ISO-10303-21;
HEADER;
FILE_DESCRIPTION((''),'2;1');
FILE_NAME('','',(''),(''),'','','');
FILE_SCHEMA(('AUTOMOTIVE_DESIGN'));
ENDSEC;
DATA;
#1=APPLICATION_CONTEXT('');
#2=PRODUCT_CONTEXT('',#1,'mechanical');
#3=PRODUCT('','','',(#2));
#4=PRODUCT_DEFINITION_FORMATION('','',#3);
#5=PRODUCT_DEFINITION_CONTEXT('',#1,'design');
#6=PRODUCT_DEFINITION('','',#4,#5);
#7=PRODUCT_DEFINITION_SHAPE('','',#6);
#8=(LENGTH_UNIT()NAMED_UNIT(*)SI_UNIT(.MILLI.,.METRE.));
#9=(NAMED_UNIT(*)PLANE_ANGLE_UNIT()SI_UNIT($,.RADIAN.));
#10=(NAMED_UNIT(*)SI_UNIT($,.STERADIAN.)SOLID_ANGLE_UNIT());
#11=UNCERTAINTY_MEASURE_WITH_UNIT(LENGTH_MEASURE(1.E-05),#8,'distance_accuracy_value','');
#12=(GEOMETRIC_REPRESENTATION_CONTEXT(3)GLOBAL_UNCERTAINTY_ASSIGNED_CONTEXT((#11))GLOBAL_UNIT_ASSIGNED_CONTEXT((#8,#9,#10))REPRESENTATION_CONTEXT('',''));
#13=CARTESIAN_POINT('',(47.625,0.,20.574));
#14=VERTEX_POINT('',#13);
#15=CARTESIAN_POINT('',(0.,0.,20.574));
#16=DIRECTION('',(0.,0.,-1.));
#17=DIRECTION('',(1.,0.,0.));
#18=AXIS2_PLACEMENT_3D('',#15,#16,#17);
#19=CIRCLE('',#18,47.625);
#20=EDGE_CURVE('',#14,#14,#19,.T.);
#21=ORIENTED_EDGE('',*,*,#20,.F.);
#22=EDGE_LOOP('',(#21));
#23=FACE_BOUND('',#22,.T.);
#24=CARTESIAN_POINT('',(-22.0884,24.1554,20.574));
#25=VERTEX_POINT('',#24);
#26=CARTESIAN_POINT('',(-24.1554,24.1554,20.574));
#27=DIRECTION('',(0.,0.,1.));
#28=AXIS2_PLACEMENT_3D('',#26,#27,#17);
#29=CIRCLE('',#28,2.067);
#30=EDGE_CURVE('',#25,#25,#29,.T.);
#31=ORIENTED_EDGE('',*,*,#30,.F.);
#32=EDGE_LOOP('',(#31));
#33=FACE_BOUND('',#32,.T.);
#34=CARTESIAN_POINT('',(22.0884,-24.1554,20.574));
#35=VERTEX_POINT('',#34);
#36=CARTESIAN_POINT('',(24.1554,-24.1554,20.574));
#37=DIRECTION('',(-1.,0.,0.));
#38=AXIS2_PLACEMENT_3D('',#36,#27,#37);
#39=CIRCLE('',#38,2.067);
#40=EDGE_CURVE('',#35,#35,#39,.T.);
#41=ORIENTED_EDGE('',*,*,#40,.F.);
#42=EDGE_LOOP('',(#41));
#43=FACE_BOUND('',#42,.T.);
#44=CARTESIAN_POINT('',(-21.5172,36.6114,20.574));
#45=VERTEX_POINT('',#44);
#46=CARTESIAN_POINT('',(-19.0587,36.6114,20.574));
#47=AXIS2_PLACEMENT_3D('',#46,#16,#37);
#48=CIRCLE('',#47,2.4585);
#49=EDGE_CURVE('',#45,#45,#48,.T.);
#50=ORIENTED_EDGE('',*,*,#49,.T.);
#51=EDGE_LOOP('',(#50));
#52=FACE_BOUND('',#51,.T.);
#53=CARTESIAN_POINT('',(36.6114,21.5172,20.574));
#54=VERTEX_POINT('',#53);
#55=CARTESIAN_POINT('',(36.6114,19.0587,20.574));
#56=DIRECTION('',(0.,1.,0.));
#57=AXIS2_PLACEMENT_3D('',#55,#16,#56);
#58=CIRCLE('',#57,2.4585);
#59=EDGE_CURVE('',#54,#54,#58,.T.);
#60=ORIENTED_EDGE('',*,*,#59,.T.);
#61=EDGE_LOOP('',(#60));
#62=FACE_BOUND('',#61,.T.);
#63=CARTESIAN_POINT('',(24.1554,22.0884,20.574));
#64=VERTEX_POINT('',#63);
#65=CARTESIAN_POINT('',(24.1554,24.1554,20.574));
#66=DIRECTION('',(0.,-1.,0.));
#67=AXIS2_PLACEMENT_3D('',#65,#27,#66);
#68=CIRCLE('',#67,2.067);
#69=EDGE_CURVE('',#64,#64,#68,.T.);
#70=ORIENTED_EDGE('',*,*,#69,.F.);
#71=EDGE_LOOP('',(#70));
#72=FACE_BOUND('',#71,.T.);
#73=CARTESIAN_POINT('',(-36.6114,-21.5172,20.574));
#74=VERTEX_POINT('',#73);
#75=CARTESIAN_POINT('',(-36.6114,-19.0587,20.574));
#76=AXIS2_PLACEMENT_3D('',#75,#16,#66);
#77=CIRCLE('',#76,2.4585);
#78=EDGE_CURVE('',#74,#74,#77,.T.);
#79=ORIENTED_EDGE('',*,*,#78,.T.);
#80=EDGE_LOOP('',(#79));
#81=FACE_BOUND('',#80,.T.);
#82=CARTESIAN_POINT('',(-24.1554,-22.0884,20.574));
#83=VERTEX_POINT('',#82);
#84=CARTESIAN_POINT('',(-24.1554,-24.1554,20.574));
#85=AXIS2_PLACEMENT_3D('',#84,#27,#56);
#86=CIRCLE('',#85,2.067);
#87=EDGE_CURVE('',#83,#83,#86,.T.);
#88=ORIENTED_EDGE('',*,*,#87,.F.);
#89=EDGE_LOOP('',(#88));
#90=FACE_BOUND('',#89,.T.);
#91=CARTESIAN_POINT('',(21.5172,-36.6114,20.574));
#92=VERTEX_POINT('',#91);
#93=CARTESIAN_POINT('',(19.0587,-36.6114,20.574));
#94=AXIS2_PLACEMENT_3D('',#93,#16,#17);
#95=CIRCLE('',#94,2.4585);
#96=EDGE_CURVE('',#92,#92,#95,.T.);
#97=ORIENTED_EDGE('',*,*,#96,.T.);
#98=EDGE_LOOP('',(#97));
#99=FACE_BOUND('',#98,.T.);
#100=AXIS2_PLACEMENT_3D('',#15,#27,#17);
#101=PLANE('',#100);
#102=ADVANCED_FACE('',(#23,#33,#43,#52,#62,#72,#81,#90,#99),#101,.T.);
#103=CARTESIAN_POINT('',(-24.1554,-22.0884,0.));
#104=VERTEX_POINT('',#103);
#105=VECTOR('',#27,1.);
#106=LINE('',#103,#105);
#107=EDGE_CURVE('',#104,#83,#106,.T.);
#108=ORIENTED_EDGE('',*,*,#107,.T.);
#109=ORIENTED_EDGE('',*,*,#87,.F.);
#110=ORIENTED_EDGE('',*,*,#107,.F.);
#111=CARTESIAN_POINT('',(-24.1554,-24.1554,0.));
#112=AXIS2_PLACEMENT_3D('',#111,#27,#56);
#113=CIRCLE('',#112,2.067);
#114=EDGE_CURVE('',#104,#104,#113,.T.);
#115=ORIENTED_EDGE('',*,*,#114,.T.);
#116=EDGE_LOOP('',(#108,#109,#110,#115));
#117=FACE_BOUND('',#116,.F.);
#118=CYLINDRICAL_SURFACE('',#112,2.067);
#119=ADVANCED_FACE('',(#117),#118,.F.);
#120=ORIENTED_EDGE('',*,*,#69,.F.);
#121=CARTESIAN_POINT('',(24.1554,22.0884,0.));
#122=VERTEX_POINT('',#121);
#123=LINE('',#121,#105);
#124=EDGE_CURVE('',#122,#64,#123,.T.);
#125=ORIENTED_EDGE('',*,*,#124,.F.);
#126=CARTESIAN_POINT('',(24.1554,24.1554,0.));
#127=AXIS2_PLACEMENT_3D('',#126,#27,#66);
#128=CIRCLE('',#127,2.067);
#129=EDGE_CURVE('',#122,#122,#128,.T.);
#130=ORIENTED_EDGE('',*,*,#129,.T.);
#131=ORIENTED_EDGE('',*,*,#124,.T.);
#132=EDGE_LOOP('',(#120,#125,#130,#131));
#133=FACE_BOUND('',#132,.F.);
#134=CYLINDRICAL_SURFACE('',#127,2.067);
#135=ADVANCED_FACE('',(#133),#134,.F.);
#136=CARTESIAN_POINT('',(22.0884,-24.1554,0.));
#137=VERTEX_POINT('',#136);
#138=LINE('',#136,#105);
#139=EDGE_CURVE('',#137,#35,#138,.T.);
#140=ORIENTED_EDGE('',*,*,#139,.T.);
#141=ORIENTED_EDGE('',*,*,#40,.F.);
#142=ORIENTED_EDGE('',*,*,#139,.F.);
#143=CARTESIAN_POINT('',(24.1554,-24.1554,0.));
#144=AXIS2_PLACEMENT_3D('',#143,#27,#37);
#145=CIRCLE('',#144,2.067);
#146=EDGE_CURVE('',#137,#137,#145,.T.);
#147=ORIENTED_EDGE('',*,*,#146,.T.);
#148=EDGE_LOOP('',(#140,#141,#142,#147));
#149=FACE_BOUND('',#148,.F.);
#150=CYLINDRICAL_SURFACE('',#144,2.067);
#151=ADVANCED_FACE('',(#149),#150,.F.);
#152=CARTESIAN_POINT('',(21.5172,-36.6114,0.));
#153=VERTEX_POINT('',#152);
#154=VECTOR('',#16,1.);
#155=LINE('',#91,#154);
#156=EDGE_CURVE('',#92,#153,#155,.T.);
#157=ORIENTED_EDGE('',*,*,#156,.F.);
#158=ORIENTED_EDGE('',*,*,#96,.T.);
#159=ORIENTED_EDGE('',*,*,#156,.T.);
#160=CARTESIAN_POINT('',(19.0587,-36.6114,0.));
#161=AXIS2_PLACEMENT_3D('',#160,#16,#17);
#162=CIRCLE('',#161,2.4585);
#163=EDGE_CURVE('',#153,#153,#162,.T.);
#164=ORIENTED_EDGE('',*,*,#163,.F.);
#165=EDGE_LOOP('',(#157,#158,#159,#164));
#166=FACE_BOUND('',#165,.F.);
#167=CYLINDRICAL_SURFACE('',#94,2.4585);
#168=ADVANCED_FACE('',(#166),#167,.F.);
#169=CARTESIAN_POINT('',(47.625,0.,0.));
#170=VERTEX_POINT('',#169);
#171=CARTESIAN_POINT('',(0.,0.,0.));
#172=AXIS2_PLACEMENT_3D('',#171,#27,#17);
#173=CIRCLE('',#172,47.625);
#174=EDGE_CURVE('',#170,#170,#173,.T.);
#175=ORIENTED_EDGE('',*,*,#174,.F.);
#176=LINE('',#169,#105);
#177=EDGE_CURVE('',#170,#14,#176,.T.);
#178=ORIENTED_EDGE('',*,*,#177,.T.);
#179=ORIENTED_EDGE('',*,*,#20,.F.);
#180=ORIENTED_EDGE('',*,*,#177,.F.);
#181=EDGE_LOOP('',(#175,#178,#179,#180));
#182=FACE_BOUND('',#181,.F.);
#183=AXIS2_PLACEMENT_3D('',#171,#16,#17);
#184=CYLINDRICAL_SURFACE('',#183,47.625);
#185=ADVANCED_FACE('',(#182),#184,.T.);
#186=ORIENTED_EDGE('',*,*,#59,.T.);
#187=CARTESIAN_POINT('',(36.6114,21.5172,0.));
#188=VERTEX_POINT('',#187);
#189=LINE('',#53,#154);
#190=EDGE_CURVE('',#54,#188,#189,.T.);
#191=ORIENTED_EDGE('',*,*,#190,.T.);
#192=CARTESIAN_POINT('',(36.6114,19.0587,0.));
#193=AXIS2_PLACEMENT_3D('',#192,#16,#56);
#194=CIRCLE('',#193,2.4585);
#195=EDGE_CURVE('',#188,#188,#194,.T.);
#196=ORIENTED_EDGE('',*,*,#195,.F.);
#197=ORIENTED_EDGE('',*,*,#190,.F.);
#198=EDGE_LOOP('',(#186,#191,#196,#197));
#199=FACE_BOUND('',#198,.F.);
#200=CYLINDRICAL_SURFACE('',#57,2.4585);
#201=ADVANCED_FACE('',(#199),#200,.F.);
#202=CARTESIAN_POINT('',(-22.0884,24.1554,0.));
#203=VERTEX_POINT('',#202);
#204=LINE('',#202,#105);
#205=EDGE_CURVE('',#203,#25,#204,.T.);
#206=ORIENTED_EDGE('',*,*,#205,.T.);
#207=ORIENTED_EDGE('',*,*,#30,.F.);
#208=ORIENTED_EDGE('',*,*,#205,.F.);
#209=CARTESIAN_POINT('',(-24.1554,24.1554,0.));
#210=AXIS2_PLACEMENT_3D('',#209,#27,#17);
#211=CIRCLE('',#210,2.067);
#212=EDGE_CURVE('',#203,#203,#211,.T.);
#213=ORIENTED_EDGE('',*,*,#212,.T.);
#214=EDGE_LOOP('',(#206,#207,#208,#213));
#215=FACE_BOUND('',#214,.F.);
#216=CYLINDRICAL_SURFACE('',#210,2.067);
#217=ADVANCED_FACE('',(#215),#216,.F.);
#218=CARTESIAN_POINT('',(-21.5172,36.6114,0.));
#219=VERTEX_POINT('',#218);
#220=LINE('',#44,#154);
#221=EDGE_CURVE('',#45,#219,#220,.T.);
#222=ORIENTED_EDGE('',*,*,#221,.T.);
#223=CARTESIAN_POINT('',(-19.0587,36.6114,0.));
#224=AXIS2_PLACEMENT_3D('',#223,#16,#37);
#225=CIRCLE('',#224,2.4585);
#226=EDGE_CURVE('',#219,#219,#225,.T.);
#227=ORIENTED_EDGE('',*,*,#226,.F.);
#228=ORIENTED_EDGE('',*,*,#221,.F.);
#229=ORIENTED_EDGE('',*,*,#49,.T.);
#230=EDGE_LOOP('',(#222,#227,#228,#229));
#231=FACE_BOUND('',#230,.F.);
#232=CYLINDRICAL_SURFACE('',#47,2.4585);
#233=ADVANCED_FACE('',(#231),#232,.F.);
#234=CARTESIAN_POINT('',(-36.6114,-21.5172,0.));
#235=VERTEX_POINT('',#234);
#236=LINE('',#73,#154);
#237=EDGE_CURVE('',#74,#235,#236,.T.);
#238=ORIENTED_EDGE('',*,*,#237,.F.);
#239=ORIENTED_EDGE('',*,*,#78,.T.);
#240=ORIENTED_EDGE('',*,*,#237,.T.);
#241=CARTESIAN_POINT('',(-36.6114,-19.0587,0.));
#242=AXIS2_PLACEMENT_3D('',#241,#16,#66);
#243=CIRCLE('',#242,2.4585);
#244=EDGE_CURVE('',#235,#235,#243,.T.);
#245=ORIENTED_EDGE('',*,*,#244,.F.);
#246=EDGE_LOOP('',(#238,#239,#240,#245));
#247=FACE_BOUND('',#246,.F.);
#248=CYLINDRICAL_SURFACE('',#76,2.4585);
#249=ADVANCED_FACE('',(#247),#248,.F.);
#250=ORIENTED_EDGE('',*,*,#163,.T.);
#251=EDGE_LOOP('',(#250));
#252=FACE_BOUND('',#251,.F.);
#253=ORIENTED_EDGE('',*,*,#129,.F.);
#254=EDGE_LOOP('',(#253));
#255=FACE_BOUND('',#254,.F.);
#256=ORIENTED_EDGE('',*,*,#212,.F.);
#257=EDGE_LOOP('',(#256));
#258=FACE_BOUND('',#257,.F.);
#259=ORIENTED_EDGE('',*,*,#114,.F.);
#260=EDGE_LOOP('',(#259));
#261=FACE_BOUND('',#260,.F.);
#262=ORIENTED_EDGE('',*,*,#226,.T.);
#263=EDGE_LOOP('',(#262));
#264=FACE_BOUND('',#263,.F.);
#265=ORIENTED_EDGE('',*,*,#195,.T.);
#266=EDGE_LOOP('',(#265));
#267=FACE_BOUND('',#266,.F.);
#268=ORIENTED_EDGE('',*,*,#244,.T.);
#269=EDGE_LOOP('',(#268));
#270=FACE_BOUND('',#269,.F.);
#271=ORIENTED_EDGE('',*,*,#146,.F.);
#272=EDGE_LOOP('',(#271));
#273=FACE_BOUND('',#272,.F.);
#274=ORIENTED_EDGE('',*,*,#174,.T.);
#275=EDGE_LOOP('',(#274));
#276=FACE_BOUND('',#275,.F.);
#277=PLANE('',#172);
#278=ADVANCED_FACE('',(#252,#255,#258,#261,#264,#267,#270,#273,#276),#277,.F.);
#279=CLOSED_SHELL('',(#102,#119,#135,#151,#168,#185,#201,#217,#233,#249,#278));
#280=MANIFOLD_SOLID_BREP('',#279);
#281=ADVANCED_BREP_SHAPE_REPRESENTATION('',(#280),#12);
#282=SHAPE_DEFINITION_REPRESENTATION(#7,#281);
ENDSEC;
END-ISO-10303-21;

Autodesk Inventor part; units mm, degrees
ref_plane "YZ Plane" through (0, 0, 0) normal (1, 0, 0) x (0, 1, 0)
ref_plane "XZ Plane" through (0, 0, 0) normal (0, 1, 0) x (-1, 0, 0)
ref_plane "XY Plane" through (0, 0, 0) normal (0, 0, 1) x (1, 0, 0)
sketch "Sketch1" plane through (0, 0, 0) normal (0, 0, 1) x (1, 0, 0)
  line L0 (0, 66.675) -> (0, -66.675) projected
  line L1 (-66.675, 0) -> (66.675, 0) projected
  circle A0 centre (0, 0) radius 47.625
  circle A1 centre (0, 0) radius 10.3188
  dimension "d0" = 20.6375
  dimension "d1" = 95.25
extrude "Extrusion1" add sketch "Sketch1" along normal blind 20.574
sketch "Sketch2" plane through (0, 0, 0) normal (0, 0, -1) x (-1, 0, 0)
  line L0 (0, -66.675) -> (0, 66.675) projected
  line L1 (-66.675, 0) -> (66.675, 0) projected
  line L2 (-24.1554, -24.1554) -> (24.1554, -24.1554) construction
  line L3 (24.1554, -24.1554) -> (24.1554, 24.1554) construction
  line L4 (24.1554, 24.1554) -> (-24.1554, 24.1554) construction
  line L5 (-24.1554, 24.1554) -> (-24.1554, -24.1554) construction
  line L6 (-24.1554, -24.1554) -> (24.1554, 24.1554) construction
  line L7 (24.1554, -24.1554) -> (-24.1554, 24.1554) construction
  circle A0 centre (0, 0) radius 34.1609 construction
  dimension "d25" = 68.3218
  dimension "d22" = 48.3108
hole "Hole1" at (-24.1554, -24.1554, 0) direction (0, 0, 1) diameter 4.134 end through all thread size "M5x0.8" class "6H" standard "ANSI Metric M Profile"
sketch "Sketch3" plane through (0, 0, 20.574) normal (0, 0, 1) x (1, 0, 0)
  line L0 (0, 66.675) -> (0, -66.675) projected
  line L1 (-66.675, 0) -> (66.675, 0) projected
  circle A0 centre (0, 0) radius 41.275 construction
  line L2 (0, 0) -> (-36.6114, -19.0587) construction
  point P0 (-24.1554, -24.1554)
  point P1 (-24.1554, -24.1554)
  dimension "d23" = 82.55
  dimension "d24" = 62.5
hole "Hole2" at (-36.6114, -19.0587, 20.574) direction (0, 0, -1) diameter 4.917 end through all thread size "M6x1" class "6H" standard "ANSI Metric M Profile"
pattern_circular "Circular Pattern1" count 4 over 360 about axis through (0, 0, -10) along (0, 0, 1) of "Hole1", "Hole2"
properties part number "J010343" material "ALUMINUM, 6061-T651"
